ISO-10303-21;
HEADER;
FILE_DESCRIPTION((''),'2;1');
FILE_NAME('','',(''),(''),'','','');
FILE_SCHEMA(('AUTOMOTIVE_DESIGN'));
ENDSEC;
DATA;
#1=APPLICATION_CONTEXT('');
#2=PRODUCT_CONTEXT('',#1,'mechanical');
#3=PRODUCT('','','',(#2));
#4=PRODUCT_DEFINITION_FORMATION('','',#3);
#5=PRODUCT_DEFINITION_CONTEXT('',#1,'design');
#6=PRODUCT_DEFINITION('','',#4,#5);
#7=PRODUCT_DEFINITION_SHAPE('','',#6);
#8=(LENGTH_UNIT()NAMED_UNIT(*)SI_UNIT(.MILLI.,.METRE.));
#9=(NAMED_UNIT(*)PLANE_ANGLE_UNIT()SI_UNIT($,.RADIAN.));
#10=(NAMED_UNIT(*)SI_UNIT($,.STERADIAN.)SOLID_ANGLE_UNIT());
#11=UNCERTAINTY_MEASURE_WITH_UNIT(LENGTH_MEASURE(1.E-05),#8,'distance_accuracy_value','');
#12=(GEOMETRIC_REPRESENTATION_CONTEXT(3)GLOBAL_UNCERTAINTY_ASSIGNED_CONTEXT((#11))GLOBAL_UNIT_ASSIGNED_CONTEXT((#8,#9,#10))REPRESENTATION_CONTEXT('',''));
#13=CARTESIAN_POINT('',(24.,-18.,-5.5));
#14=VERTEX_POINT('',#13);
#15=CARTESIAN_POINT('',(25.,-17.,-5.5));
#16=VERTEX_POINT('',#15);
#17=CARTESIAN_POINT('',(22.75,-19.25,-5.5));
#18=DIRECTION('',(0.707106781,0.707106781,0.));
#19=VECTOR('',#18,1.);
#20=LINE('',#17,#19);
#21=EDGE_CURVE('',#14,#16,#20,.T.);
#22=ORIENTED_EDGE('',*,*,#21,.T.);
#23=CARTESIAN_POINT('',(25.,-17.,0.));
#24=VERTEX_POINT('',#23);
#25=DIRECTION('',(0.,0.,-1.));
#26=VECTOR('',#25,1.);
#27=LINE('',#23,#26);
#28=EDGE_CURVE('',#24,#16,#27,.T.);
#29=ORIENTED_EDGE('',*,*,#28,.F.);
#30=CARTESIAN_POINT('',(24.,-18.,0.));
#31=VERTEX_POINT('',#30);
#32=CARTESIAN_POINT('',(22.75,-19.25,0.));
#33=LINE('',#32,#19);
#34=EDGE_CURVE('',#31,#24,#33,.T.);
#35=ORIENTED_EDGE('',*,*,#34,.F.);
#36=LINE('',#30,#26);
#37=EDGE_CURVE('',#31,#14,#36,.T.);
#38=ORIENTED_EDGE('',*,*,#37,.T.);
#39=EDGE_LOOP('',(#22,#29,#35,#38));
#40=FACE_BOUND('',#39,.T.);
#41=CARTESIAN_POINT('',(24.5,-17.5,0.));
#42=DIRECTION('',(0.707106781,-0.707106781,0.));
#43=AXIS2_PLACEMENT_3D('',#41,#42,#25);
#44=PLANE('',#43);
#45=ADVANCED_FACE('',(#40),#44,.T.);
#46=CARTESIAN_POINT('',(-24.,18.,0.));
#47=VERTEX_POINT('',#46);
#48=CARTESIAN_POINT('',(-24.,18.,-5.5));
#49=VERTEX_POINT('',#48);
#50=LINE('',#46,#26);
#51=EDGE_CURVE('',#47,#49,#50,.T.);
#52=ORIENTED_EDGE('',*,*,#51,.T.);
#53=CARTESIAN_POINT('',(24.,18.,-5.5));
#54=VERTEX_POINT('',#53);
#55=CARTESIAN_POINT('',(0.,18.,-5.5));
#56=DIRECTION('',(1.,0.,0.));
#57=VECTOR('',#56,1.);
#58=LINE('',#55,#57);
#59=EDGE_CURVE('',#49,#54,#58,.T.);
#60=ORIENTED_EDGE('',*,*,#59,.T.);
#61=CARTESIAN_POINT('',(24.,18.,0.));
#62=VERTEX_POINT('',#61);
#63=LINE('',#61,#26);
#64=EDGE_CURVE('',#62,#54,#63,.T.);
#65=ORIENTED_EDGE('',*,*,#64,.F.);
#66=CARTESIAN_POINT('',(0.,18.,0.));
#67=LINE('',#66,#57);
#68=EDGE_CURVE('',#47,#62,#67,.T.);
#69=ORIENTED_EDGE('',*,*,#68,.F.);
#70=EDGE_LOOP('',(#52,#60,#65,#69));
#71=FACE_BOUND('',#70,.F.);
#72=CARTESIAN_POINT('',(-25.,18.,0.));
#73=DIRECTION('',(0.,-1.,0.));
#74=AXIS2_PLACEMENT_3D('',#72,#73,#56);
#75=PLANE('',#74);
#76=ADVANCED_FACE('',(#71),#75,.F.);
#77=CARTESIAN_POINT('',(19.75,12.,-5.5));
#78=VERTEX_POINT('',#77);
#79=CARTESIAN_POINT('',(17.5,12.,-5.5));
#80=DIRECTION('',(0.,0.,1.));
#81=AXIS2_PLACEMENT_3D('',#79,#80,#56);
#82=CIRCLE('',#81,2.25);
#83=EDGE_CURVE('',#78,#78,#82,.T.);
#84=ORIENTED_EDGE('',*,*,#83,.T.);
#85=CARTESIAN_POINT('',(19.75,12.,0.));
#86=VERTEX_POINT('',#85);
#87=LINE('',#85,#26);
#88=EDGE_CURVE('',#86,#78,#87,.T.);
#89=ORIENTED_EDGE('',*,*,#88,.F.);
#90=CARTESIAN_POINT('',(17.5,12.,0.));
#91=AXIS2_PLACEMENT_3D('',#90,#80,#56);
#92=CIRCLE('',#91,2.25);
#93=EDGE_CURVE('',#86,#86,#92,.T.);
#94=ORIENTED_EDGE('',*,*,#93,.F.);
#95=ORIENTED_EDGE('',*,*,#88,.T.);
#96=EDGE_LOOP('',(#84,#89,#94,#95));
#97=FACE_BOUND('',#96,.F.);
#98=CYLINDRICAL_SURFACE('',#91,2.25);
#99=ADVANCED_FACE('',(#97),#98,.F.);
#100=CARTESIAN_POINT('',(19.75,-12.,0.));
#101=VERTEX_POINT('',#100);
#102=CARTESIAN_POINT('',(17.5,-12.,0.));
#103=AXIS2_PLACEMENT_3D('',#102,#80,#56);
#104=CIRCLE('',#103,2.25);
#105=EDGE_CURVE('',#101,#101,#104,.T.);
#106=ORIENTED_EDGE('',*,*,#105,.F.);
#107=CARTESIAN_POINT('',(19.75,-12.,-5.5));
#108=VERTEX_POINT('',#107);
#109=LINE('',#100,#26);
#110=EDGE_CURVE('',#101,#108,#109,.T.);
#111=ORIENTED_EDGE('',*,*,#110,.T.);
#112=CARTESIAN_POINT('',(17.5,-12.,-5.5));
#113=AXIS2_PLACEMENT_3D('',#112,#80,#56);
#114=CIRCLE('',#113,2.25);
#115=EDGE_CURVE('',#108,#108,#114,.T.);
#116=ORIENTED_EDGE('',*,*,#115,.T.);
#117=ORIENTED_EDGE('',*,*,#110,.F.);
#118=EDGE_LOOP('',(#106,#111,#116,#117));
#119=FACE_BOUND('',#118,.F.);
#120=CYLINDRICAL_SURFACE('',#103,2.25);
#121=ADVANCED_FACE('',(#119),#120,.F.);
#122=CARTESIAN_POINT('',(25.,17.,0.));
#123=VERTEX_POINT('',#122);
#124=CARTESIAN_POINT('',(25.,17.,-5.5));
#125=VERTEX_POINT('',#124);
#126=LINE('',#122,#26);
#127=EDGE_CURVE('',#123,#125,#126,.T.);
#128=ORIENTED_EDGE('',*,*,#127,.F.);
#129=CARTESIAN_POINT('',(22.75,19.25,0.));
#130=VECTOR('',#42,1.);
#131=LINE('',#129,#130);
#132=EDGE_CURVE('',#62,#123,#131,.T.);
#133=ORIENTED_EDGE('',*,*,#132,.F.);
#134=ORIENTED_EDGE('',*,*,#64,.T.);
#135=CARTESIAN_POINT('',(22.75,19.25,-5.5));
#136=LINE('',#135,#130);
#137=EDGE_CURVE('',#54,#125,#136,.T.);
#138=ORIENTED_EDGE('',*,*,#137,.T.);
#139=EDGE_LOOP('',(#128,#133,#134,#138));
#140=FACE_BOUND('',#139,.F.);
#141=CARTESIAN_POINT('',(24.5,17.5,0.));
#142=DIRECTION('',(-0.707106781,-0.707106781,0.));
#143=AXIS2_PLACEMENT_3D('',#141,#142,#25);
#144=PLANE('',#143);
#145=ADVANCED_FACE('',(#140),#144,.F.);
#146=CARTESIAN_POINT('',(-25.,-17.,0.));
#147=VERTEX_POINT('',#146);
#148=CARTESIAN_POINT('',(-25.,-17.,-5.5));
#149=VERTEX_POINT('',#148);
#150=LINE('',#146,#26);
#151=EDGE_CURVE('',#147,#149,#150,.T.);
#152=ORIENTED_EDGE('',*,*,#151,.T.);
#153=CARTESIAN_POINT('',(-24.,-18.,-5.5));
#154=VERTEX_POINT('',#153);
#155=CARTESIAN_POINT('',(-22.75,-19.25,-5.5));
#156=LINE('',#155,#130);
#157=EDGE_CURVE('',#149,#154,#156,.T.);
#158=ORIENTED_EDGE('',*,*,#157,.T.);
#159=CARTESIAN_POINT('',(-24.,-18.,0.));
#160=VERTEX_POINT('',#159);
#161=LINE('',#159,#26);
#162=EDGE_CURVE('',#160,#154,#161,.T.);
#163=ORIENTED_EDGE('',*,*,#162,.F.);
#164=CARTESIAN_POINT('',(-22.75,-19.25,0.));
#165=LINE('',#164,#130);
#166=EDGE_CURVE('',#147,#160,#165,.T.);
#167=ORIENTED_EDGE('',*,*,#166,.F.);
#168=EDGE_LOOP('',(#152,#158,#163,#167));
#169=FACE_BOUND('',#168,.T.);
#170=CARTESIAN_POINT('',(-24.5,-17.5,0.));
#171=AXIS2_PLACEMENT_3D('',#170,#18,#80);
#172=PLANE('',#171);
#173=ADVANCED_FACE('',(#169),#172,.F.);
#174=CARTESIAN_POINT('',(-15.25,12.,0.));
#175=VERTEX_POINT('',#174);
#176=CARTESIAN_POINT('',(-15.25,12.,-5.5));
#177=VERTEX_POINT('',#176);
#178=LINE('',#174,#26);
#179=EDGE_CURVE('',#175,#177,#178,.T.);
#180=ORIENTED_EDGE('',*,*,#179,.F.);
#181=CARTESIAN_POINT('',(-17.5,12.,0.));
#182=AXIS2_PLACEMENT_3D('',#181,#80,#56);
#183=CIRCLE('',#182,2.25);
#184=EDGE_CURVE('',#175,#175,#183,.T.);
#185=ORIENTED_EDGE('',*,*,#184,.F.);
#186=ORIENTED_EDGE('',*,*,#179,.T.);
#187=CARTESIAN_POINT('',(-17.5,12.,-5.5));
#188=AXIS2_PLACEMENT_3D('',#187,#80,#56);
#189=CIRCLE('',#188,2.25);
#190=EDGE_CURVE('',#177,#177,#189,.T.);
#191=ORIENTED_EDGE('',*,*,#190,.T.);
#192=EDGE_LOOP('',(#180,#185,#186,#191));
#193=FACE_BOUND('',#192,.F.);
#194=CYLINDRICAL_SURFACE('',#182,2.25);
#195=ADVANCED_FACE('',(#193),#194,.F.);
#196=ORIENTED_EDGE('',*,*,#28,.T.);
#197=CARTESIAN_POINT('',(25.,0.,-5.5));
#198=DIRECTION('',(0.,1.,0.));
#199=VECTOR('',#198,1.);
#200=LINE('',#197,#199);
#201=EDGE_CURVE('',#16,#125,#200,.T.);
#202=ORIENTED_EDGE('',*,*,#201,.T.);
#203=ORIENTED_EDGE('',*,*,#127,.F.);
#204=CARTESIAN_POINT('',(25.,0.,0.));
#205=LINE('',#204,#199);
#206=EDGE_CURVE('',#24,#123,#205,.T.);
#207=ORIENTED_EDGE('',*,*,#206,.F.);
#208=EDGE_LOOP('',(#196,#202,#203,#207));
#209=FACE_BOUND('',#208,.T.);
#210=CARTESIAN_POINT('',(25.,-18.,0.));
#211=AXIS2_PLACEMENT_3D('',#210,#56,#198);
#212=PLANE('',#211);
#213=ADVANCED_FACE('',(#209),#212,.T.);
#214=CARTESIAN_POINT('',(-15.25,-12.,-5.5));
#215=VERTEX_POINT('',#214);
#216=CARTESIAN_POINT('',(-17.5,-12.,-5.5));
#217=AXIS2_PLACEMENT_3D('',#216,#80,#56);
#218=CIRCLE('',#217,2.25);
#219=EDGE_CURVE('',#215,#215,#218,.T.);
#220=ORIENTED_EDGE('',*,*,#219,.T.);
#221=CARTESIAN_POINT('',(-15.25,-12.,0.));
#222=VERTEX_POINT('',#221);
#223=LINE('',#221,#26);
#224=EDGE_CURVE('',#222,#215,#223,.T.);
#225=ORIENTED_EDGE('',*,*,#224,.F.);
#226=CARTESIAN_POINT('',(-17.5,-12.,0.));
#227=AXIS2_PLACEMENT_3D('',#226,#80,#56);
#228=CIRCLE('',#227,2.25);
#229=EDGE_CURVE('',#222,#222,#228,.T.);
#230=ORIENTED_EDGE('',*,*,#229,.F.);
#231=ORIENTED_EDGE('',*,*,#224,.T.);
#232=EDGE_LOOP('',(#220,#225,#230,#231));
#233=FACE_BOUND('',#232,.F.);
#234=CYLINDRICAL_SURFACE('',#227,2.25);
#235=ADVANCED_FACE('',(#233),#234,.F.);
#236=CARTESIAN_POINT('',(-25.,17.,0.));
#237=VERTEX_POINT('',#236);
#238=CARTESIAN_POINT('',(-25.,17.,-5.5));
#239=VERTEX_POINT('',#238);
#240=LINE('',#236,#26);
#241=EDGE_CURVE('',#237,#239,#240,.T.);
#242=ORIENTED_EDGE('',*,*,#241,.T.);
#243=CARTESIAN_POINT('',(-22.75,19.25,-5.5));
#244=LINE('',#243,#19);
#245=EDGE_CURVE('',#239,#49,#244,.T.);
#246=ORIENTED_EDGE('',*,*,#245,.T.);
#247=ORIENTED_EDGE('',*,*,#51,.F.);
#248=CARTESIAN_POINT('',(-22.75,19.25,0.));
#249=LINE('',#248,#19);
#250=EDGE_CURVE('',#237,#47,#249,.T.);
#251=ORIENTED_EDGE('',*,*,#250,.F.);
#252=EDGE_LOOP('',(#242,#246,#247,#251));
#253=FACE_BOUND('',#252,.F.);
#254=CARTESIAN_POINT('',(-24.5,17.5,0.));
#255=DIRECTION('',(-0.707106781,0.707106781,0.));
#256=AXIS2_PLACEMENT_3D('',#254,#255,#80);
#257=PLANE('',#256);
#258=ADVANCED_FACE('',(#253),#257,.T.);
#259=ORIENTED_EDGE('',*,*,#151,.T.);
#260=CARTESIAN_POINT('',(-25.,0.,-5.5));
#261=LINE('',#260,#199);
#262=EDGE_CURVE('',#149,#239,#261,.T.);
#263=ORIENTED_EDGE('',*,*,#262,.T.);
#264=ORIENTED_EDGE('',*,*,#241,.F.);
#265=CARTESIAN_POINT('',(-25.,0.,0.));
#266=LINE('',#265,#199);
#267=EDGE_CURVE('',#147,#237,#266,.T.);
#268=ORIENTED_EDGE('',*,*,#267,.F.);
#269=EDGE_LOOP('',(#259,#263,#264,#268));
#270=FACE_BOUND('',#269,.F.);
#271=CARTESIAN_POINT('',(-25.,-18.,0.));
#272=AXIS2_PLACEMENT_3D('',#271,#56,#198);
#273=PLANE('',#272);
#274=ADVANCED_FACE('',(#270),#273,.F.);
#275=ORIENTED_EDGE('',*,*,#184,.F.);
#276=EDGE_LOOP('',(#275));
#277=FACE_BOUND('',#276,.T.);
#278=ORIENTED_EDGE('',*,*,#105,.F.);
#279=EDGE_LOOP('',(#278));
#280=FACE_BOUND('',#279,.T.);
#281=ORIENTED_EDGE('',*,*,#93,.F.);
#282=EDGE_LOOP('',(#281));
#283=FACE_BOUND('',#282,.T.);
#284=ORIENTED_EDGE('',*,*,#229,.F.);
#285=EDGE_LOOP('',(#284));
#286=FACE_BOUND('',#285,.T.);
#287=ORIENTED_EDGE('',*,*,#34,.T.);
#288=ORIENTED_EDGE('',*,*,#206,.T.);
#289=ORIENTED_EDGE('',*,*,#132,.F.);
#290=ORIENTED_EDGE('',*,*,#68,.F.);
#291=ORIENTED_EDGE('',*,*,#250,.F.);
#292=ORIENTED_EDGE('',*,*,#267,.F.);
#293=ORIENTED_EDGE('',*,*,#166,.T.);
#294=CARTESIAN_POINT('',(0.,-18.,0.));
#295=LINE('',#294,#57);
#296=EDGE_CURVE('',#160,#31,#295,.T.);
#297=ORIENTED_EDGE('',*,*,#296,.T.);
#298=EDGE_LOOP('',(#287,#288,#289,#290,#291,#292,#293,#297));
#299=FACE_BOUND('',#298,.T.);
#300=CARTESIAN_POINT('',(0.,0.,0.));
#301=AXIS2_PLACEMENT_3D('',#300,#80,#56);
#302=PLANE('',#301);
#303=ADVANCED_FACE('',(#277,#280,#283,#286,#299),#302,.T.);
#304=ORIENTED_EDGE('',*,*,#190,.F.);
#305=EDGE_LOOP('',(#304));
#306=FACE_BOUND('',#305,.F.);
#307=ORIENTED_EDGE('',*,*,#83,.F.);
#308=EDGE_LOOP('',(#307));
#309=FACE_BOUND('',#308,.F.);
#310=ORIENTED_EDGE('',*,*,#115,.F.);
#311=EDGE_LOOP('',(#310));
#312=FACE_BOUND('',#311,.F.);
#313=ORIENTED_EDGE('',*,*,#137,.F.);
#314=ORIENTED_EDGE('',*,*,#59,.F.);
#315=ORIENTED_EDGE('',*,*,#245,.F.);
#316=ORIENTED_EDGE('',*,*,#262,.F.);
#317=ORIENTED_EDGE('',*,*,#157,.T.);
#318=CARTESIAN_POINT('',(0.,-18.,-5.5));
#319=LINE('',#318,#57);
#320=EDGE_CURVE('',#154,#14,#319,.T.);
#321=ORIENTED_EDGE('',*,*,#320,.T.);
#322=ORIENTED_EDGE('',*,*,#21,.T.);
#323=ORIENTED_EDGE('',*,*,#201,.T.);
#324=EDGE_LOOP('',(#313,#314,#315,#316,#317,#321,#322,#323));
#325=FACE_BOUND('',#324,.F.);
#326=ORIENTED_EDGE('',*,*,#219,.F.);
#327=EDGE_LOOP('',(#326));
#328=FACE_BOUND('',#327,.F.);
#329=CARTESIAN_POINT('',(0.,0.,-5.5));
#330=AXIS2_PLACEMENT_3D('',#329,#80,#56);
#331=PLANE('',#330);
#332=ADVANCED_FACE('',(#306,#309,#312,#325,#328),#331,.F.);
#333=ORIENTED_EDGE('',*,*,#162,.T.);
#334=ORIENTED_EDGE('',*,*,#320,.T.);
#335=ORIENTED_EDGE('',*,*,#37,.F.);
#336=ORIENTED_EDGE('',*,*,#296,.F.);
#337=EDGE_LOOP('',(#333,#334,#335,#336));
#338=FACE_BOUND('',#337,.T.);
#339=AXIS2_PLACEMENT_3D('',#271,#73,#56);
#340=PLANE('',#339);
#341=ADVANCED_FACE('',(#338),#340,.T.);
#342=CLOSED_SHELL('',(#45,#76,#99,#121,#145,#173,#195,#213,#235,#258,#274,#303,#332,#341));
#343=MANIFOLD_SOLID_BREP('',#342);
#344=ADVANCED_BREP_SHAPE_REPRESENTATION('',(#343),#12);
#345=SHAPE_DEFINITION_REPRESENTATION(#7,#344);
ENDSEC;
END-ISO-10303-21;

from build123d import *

# Parameters (mm, degrees)
SKETCH_W     = 50
SKETCH_H     = 36
PAD_DEPTH    = 5.5
SKETCH001_R  = 2.25
HOLE_DEPTH   = 25
CHAMFER_SIZE = 1


with BuildPart() as part:
    # Sketch → Pad (new body)
    with BuildSketch(Plane.XY):
        Rectangle(SKETCH_W, SKETCH_H)
    extrude(amount=-PAD_DEPTH)

    # Sketch001 → Hole (cut)
    with BuildSketch(Plane.XY):
        with Locations((-17.5, 12)):
            Circle(SKETCH001_R)
        with Locations((17.5, 12)):
            Circle(SKETCH001_R)
        with Locations((17.5, -12)):
            Circle(SKETCH001_R)
        with Locations((-17.5, -12)):
            Circle(SKETCH001_R)
    extrude(amount=-HOLE_DEPTH, mode=Mode.SUBTRACT)

    # Chamfer
    chamfer_edges = [part.edges().sort_by_distance(p)[0] for p in [
        (-25, -18, -2.75),
        (25, -18, -2.75),
        (-25, 18, -2.75),
        (25, 18, -2.75),
    ]]
    chamfer(chamfer_edges, length=CHAMFER_SIZE)


solid = part.part
